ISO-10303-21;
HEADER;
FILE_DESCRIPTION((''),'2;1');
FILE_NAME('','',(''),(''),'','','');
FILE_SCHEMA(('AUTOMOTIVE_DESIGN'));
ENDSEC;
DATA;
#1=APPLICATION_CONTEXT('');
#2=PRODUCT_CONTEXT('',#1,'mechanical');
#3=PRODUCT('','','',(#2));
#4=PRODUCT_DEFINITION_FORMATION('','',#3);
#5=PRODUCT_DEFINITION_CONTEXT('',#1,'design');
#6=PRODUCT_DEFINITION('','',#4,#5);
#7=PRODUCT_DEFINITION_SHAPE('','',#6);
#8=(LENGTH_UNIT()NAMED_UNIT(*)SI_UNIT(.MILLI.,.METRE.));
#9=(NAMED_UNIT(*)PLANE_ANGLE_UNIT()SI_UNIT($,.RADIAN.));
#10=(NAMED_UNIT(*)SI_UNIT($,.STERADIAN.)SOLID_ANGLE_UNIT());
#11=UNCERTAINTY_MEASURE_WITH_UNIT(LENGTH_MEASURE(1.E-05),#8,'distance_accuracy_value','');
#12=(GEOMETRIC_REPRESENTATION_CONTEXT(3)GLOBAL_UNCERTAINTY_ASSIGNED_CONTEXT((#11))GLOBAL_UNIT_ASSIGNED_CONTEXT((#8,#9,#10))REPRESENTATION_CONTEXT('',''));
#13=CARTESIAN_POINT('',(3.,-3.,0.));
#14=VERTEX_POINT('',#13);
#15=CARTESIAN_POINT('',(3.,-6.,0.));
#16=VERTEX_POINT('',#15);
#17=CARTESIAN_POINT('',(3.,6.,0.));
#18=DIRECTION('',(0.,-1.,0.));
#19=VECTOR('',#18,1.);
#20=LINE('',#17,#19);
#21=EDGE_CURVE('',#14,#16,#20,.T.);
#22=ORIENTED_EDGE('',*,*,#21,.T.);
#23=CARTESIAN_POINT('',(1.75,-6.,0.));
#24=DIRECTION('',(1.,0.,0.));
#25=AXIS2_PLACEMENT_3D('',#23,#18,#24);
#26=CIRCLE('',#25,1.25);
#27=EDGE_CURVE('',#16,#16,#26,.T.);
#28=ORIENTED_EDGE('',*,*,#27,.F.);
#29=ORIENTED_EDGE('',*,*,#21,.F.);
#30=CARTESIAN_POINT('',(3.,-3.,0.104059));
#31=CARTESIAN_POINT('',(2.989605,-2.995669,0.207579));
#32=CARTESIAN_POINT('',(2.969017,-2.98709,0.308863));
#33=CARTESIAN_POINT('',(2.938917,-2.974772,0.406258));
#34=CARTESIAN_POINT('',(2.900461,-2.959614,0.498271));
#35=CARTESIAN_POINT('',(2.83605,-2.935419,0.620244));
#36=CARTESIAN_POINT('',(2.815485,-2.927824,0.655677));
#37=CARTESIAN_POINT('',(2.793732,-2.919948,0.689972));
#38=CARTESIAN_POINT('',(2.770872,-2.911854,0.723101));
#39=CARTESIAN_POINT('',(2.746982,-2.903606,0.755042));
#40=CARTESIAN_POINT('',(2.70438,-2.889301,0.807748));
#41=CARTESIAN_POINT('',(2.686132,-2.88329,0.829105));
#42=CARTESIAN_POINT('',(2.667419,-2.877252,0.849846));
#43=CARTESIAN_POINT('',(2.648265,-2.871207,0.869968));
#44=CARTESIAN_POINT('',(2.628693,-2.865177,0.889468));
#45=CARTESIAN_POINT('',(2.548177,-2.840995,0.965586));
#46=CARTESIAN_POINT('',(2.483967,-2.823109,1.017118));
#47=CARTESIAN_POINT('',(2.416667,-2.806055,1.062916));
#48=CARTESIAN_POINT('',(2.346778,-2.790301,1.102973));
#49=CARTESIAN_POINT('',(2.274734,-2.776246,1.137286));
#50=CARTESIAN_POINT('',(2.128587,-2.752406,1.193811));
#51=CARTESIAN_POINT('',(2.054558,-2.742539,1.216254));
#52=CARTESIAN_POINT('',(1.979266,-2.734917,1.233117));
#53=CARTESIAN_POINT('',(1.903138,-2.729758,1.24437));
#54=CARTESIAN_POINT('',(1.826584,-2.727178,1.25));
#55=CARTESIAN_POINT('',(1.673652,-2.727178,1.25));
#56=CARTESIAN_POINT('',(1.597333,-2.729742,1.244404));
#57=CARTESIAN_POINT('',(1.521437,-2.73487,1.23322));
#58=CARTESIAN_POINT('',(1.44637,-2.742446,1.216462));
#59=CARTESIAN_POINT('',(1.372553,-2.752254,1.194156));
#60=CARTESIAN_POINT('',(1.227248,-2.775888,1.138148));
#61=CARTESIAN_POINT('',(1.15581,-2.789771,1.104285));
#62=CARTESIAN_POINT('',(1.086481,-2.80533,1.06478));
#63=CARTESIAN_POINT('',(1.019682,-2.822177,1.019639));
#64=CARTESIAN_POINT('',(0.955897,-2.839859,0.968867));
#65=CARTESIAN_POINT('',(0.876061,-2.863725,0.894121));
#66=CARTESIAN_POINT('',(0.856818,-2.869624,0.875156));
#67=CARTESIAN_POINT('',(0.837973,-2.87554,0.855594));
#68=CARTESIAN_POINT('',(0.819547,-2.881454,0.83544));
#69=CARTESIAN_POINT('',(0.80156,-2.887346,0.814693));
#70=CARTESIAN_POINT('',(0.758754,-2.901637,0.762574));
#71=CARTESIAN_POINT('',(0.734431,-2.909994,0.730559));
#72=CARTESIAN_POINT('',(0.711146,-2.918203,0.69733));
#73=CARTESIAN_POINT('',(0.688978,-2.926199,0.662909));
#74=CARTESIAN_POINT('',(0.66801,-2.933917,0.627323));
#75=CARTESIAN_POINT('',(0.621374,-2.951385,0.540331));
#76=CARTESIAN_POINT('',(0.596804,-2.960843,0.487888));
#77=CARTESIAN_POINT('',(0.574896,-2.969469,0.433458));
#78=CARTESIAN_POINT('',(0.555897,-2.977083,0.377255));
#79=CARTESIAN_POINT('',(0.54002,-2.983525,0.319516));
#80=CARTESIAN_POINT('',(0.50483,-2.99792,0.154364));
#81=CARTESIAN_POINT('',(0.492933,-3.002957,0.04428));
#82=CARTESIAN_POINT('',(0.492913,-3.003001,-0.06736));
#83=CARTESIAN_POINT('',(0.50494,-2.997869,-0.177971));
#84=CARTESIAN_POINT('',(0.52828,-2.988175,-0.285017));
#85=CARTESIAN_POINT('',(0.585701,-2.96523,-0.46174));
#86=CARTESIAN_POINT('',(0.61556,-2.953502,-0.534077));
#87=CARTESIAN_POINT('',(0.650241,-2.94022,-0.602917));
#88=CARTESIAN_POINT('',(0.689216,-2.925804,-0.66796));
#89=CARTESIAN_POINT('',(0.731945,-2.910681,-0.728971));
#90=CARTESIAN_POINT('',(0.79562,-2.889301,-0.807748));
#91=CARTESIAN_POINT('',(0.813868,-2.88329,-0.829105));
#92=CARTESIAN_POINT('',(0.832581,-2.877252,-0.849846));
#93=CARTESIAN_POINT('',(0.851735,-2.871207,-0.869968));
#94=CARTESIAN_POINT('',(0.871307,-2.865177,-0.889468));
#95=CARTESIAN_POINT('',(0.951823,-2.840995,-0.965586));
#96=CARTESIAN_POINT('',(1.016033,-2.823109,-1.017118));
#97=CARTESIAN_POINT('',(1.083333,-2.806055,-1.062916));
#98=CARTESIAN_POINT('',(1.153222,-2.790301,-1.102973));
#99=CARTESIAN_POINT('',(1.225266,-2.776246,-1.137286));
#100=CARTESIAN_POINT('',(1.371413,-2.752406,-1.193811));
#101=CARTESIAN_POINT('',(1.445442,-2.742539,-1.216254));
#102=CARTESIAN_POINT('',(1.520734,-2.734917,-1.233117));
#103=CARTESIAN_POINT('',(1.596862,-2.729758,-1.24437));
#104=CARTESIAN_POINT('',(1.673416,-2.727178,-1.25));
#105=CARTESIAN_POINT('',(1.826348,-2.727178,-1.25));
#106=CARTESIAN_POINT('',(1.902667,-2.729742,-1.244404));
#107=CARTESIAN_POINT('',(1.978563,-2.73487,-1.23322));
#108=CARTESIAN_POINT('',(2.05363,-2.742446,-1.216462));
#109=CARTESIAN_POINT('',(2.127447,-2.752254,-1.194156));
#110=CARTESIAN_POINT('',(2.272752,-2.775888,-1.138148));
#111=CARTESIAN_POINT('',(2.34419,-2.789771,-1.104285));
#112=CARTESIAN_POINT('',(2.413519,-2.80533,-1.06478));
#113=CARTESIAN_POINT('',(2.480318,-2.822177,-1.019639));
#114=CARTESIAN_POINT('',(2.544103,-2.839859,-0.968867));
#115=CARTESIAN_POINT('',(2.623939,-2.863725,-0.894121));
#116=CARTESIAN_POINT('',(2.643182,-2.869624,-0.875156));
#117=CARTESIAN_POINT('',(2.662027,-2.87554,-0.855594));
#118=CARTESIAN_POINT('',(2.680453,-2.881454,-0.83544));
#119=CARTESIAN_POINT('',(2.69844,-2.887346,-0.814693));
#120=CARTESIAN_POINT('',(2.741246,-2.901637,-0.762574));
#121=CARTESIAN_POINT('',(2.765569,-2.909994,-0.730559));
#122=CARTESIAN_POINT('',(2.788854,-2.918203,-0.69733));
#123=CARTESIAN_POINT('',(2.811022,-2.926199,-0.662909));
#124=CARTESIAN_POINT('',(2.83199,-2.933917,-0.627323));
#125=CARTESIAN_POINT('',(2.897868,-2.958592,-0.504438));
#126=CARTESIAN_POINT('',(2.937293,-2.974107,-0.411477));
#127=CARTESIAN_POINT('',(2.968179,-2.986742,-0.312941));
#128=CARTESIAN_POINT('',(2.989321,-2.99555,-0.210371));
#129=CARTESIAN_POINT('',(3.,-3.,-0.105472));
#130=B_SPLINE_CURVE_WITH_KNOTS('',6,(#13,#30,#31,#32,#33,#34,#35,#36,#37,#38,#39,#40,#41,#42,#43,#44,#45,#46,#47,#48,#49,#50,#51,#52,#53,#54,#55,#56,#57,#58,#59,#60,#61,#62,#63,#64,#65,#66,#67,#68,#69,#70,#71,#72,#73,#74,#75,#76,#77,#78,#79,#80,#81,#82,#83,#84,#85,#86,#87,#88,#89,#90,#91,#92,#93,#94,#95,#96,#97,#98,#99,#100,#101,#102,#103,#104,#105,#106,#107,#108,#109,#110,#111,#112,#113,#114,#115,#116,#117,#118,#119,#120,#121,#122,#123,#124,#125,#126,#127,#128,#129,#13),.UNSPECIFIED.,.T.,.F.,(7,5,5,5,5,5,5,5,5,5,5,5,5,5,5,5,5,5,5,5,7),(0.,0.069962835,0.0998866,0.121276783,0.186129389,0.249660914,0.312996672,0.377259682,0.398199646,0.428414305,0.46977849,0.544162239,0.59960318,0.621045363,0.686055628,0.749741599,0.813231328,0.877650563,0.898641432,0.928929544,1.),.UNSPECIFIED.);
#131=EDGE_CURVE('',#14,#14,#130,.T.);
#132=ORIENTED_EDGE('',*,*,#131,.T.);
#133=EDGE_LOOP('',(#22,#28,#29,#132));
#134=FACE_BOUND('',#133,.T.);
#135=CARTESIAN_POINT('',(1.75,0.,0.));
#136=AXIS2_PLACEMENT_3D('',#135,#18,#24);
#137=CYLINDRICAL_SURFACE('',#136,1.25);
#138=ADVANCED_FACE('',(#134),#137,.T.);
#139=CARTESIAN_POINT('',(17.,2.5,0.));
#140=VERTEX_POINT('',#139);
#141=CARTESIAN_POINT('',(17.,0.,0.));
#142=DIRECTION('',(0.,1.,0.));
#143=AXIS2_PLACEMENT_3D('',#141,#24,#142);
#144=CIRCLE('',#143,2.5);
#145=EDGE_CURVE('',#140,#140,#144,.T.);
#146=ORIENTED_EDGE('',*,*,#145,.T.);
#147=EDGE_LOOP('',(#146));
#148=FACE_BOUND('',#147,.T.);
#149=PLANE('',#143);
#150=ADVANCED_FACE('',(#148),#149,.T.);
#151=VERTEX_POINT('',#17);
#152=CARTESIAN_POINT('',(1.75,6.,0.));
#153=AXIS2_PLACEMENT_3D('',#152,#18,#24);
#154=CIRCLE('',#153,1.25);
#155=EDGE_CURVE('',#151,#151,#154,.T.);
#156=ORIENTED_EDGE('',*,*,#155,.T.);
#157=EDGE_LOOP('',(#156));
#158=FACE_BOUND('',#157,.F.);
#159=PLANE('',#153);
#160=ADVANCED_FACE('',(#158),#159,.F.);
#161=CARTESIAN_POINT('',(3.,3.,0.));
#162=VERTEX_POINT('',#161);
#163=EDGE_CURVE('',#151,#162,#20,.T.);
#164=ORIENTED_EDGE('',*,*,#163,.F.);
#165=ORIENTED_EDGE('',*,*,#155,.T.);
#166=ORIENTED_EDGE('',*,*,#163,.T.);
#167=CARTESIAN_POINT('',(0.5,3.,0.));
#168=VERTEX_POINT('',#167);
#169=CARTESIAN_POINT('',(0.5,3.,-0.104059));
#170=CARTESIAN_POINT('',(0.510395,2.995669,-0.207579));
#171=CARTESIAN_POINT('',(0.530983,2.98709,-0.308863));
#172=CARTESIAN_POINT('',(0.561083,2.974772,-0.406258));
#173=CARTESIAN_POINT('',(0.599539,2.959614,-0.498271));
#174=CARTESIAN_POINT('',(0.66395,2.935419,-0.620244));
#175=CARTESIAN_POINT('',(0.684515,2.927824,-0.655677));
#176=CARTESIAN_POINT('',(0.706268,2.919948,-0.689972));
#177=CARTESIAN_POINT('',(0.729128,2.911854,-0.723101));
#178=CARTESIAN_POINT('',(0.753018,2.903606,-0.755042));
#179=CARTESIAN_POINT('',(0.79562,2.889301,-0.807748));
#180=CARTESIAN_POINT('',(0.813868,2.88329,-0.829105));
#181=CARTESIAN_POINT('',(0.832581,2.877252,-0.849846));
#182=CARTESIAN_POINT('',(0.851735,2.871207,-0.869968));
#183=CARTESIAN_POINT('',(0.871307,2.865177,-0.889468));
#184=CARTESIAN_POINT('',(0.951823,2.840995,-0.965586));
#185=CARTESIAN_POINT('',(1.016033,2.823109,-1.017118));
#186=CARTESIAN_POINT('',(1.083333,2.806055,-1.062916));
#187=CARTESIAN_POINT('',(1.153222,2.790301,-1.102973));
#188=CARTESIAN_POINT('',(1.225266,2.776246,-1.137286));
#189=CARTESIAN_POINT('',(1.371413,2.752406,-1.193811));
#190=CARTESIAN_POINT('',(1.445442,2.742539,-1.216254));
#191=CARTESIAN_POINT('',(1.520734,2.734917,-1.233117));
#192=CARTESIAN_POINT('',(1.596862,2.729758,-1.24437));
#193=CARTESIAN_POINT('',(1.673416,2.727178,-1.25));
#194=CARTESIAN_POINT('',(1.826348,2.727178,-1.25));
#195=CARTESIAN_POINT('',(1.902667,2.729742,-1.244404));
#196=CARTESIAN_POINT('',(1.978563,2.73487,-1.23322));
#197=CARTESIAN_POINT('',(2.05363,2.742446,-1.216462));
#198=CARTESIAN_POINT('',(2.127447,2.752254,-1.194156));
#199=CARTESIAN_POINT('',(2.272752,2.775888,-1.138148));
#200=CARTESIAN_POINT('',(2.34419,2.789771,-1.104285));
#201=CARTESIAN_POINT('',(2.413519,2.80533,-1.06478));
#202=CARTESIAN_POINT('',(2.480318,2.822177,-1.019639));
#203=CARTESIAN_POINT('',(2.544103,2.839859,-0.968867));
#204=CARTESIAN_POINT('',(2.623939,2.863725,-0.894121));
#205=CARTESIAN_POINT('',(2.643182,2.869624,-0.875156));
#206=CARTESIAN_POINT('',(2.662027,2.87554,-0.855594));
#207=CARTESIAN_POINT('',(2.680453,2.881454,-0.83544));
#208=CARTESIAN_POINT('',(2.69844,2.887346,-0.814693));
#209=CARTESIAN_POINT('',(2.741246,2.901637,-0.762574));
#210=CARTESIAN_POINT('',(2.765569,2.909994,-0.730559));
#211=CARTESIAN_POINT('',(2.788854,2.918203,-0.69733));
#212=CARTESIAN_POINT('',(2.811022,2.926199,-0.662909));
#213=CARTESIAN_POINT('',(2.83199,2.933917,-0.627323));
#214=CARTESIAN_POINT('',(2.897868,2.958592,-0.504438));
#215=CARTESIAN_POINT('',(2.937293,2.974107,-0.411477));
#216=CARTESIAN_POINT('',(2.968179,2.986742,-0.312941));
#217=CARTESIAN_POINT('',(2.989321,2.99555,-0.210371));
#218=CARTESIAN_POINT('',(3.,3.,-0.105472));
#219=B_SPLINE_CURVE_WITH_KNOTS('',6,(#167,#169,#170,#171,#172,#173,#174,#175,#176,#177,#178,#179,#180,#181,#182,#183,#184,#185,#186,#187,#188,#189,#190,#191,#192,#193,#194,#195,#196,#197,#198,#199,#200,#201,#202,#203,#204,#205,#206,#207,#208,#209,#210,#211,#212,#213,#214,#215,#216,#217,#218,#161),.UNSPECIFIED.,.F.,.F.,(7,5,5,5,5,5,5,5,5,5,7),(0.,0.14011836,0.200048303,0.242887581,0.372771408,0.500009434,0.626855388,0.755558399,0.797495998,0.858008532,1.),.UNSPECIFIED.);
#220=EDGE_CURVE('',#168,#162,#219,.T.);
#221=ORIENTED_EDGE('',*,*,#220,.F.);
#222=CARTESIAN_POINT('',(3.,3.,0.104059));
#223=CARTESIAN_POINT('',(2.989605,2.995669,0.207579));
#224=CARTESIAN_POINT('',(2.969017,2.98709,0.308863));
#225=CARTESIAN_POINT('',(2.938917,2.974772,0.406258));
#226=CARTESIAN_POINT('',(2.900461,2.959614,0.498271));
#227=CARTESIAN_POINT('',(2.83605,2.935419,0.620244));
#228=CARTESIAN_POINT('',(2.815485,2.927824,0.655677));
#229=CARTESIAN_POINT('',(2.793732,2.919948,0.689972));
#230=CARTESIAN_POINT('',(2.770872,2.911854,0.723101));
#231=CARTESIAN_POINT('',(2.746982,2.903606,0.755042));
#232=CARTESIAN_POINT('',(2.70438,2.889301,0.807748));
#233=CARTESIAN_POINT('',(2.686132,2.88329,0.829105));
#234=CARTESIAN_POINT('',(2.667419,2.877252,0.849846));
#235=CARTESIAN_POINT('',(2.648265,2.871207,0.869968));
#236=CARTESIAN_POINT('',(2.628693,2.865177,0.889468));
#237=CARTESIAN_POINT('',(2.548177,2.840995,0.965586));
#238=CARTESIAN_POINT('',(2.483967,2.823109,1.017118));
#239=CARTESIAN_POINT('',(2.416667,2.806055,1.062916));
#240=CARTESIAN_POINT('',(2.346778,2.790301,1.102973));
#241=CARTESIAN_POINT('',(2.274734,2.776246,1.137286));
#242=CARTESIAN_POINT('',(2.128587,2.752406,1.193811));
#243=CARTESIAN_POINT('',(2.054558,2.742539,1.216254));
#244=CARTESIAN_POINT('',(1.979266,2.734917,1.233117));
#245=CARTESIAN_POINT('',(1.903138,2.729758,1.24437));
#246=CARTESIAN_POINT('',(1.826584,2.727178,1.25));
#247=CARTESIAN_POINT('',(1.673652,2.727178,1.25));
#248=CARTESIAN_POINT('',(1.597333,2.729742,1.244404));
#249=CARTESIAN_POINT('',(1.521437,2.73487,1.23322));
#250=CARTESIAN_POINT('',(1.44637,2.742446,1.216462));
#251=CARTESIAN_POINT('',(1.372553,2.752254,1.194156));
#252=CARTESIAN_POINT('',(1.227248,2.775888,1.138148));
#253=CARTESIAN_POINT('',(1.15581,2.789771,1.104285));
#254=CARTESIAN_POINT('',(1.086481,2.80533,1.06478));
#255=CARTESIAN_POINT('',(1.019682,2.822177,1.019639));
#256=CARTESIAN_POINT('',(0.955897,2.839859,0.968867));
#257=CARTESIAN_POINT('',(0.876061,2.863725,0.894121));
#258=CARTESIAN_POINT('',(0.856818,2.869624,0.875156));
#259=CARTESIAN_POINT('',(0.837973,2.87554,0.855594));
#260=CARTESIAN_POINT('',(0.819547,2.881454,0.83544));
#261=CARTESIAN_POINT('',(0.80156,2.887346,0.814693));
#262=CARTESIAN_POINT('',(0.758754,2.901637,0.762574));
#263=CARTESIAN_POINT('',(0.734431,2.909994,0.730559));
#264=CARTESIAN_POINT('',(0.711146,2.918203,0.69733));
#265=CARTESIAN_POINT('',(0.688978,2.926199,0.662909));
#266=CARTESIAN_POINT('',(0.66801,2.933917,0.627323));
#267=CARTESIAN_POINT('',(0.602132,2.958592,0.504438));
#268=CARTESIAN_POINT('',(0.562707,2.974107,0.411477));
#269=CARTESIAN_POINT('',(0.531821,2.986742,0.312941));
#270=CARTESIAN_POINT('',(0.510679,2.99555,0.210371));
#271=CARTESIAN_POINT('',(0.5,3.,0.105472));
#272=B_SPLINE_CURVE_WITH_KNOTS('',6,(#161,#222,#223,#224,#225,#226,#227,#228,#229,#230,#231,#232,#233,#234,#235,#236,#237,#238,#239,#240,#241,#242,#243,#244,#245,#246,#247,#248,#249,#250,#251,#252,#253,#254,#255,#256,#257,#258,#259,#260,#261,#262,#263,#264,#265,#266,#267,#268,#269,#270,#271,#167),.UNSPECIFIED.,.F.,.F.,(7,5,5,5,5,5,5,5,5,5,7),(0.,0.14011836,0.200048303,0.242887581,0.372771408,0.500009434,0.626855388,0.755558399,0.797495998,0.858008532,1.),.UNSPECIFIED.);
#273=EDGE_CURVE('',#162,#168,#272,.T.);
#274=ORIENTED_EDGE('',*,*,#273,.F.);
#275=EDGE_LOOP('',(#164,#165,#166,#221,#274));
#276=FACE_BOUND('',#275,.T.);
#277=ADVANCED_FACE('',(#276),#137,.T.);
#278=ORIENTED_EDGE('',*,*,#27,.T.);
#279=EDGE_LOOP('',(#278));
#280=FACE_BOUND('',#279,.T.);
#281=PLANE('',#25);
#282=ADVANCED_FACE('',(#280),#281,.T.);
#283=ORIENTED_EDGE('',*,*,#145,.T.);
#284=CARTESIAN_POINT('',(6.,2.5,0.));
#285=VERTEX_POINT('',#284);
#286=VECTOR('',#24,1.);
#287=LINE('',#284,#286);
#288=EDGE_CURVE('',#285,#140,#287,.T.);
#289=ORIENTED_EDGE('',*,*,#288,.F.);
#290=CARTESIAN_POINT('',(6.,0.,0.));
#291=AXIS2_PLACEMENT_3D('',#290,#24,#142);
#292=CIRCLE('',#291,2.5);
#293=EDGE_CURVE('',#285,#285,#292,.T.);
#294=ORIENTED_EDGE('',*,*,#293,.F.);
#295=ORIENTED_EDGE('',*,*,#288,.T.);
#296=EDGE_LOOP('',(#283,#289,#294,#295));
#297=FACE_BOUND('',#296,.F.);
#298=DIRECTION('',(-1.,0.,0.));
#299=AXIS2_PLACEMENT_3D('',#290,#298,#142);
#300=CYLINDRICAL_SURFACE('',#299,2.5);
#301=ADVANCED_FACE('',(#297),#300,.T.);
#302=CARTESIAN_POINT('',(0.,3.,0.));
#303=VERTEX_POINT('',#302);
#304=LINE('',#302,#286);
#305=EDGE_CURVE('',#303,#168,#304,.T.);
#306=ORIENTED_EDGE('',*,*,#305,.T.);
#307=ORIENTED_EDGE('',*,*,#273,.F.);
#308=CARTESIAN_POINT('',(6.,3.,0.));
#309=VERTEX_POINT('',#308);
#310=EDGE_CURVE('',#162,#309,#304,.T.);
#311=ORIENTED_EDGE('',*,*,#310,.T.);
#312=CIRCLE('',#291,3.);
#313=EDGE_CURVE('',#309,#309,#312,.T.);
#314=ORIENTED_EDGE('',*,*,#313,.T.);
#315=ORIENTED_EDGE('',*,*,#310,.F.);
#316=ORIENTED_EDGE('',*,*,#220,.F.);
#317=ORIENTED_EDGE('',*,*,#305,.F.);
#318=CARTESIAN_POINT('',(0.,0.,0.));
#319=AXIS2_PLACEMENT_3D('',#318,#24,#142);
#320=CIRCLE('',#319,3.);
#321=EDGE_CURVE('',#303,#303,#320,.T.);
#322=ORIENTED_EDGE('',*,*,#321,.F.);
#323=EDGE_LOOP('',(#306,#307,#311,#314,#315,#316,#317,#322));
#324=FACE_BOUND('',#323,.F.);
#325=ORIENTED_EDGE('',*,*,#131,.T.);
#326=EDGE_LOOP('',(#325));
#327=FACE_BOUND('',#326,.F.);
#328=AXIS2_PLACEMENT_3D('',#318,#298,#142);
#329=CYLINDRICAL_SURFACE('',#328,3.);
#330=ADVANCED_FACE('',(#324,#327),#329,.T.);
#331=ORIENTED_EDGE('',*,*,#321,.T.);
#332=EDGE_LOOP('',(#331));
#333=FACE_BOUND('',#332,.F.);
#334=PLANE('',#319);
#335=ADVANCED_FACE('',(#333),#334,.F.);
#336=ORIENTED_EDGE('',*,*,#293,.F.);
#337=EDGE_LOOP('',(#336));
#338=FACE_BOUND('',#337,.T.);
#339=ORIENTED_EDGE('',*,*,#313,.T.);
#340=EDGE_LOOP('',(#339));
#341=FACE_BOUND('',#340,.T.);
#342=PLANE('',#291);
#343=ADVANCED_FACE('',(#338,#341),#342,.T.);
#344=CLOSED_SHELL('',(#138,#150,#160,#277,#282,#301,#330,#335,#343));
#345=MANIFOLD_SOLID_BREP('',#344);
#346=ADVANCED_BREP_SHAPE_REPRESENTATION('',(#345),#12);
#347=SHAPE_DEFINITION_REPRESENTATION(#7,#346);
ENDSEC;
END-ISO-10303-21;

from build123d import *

# Parameters (mm, degrees)
F0_R     = 3
F1_DEPTH = 6
F2_R     = 2.5
F3_DEPTH = 11
F4_R     = 1.25
F5_DEPTH = 6


with BuildPart() as f1:
    # F0 (on Right) → F1 (new body)
    with BuildSketch(Plane.YZ):
        Circle(F0_R)
    extrude(amount=F1_DEPTH)

    # F2 (on face) → F3 (join)
    with BuildSketch(Plane.YZ.offset(6)):
        Circle(F2_R)
    extrude(amount=F3_DEPTH)

    # F4 (on Front) → F5 (join, symmetric)
    with BuildSketch(Plane.XZ):
        with Locations((1.75, 0)):
            Circle(F4_R)
    extrude(amount=F5_DEPTH, both=True)


solid = f1.part
